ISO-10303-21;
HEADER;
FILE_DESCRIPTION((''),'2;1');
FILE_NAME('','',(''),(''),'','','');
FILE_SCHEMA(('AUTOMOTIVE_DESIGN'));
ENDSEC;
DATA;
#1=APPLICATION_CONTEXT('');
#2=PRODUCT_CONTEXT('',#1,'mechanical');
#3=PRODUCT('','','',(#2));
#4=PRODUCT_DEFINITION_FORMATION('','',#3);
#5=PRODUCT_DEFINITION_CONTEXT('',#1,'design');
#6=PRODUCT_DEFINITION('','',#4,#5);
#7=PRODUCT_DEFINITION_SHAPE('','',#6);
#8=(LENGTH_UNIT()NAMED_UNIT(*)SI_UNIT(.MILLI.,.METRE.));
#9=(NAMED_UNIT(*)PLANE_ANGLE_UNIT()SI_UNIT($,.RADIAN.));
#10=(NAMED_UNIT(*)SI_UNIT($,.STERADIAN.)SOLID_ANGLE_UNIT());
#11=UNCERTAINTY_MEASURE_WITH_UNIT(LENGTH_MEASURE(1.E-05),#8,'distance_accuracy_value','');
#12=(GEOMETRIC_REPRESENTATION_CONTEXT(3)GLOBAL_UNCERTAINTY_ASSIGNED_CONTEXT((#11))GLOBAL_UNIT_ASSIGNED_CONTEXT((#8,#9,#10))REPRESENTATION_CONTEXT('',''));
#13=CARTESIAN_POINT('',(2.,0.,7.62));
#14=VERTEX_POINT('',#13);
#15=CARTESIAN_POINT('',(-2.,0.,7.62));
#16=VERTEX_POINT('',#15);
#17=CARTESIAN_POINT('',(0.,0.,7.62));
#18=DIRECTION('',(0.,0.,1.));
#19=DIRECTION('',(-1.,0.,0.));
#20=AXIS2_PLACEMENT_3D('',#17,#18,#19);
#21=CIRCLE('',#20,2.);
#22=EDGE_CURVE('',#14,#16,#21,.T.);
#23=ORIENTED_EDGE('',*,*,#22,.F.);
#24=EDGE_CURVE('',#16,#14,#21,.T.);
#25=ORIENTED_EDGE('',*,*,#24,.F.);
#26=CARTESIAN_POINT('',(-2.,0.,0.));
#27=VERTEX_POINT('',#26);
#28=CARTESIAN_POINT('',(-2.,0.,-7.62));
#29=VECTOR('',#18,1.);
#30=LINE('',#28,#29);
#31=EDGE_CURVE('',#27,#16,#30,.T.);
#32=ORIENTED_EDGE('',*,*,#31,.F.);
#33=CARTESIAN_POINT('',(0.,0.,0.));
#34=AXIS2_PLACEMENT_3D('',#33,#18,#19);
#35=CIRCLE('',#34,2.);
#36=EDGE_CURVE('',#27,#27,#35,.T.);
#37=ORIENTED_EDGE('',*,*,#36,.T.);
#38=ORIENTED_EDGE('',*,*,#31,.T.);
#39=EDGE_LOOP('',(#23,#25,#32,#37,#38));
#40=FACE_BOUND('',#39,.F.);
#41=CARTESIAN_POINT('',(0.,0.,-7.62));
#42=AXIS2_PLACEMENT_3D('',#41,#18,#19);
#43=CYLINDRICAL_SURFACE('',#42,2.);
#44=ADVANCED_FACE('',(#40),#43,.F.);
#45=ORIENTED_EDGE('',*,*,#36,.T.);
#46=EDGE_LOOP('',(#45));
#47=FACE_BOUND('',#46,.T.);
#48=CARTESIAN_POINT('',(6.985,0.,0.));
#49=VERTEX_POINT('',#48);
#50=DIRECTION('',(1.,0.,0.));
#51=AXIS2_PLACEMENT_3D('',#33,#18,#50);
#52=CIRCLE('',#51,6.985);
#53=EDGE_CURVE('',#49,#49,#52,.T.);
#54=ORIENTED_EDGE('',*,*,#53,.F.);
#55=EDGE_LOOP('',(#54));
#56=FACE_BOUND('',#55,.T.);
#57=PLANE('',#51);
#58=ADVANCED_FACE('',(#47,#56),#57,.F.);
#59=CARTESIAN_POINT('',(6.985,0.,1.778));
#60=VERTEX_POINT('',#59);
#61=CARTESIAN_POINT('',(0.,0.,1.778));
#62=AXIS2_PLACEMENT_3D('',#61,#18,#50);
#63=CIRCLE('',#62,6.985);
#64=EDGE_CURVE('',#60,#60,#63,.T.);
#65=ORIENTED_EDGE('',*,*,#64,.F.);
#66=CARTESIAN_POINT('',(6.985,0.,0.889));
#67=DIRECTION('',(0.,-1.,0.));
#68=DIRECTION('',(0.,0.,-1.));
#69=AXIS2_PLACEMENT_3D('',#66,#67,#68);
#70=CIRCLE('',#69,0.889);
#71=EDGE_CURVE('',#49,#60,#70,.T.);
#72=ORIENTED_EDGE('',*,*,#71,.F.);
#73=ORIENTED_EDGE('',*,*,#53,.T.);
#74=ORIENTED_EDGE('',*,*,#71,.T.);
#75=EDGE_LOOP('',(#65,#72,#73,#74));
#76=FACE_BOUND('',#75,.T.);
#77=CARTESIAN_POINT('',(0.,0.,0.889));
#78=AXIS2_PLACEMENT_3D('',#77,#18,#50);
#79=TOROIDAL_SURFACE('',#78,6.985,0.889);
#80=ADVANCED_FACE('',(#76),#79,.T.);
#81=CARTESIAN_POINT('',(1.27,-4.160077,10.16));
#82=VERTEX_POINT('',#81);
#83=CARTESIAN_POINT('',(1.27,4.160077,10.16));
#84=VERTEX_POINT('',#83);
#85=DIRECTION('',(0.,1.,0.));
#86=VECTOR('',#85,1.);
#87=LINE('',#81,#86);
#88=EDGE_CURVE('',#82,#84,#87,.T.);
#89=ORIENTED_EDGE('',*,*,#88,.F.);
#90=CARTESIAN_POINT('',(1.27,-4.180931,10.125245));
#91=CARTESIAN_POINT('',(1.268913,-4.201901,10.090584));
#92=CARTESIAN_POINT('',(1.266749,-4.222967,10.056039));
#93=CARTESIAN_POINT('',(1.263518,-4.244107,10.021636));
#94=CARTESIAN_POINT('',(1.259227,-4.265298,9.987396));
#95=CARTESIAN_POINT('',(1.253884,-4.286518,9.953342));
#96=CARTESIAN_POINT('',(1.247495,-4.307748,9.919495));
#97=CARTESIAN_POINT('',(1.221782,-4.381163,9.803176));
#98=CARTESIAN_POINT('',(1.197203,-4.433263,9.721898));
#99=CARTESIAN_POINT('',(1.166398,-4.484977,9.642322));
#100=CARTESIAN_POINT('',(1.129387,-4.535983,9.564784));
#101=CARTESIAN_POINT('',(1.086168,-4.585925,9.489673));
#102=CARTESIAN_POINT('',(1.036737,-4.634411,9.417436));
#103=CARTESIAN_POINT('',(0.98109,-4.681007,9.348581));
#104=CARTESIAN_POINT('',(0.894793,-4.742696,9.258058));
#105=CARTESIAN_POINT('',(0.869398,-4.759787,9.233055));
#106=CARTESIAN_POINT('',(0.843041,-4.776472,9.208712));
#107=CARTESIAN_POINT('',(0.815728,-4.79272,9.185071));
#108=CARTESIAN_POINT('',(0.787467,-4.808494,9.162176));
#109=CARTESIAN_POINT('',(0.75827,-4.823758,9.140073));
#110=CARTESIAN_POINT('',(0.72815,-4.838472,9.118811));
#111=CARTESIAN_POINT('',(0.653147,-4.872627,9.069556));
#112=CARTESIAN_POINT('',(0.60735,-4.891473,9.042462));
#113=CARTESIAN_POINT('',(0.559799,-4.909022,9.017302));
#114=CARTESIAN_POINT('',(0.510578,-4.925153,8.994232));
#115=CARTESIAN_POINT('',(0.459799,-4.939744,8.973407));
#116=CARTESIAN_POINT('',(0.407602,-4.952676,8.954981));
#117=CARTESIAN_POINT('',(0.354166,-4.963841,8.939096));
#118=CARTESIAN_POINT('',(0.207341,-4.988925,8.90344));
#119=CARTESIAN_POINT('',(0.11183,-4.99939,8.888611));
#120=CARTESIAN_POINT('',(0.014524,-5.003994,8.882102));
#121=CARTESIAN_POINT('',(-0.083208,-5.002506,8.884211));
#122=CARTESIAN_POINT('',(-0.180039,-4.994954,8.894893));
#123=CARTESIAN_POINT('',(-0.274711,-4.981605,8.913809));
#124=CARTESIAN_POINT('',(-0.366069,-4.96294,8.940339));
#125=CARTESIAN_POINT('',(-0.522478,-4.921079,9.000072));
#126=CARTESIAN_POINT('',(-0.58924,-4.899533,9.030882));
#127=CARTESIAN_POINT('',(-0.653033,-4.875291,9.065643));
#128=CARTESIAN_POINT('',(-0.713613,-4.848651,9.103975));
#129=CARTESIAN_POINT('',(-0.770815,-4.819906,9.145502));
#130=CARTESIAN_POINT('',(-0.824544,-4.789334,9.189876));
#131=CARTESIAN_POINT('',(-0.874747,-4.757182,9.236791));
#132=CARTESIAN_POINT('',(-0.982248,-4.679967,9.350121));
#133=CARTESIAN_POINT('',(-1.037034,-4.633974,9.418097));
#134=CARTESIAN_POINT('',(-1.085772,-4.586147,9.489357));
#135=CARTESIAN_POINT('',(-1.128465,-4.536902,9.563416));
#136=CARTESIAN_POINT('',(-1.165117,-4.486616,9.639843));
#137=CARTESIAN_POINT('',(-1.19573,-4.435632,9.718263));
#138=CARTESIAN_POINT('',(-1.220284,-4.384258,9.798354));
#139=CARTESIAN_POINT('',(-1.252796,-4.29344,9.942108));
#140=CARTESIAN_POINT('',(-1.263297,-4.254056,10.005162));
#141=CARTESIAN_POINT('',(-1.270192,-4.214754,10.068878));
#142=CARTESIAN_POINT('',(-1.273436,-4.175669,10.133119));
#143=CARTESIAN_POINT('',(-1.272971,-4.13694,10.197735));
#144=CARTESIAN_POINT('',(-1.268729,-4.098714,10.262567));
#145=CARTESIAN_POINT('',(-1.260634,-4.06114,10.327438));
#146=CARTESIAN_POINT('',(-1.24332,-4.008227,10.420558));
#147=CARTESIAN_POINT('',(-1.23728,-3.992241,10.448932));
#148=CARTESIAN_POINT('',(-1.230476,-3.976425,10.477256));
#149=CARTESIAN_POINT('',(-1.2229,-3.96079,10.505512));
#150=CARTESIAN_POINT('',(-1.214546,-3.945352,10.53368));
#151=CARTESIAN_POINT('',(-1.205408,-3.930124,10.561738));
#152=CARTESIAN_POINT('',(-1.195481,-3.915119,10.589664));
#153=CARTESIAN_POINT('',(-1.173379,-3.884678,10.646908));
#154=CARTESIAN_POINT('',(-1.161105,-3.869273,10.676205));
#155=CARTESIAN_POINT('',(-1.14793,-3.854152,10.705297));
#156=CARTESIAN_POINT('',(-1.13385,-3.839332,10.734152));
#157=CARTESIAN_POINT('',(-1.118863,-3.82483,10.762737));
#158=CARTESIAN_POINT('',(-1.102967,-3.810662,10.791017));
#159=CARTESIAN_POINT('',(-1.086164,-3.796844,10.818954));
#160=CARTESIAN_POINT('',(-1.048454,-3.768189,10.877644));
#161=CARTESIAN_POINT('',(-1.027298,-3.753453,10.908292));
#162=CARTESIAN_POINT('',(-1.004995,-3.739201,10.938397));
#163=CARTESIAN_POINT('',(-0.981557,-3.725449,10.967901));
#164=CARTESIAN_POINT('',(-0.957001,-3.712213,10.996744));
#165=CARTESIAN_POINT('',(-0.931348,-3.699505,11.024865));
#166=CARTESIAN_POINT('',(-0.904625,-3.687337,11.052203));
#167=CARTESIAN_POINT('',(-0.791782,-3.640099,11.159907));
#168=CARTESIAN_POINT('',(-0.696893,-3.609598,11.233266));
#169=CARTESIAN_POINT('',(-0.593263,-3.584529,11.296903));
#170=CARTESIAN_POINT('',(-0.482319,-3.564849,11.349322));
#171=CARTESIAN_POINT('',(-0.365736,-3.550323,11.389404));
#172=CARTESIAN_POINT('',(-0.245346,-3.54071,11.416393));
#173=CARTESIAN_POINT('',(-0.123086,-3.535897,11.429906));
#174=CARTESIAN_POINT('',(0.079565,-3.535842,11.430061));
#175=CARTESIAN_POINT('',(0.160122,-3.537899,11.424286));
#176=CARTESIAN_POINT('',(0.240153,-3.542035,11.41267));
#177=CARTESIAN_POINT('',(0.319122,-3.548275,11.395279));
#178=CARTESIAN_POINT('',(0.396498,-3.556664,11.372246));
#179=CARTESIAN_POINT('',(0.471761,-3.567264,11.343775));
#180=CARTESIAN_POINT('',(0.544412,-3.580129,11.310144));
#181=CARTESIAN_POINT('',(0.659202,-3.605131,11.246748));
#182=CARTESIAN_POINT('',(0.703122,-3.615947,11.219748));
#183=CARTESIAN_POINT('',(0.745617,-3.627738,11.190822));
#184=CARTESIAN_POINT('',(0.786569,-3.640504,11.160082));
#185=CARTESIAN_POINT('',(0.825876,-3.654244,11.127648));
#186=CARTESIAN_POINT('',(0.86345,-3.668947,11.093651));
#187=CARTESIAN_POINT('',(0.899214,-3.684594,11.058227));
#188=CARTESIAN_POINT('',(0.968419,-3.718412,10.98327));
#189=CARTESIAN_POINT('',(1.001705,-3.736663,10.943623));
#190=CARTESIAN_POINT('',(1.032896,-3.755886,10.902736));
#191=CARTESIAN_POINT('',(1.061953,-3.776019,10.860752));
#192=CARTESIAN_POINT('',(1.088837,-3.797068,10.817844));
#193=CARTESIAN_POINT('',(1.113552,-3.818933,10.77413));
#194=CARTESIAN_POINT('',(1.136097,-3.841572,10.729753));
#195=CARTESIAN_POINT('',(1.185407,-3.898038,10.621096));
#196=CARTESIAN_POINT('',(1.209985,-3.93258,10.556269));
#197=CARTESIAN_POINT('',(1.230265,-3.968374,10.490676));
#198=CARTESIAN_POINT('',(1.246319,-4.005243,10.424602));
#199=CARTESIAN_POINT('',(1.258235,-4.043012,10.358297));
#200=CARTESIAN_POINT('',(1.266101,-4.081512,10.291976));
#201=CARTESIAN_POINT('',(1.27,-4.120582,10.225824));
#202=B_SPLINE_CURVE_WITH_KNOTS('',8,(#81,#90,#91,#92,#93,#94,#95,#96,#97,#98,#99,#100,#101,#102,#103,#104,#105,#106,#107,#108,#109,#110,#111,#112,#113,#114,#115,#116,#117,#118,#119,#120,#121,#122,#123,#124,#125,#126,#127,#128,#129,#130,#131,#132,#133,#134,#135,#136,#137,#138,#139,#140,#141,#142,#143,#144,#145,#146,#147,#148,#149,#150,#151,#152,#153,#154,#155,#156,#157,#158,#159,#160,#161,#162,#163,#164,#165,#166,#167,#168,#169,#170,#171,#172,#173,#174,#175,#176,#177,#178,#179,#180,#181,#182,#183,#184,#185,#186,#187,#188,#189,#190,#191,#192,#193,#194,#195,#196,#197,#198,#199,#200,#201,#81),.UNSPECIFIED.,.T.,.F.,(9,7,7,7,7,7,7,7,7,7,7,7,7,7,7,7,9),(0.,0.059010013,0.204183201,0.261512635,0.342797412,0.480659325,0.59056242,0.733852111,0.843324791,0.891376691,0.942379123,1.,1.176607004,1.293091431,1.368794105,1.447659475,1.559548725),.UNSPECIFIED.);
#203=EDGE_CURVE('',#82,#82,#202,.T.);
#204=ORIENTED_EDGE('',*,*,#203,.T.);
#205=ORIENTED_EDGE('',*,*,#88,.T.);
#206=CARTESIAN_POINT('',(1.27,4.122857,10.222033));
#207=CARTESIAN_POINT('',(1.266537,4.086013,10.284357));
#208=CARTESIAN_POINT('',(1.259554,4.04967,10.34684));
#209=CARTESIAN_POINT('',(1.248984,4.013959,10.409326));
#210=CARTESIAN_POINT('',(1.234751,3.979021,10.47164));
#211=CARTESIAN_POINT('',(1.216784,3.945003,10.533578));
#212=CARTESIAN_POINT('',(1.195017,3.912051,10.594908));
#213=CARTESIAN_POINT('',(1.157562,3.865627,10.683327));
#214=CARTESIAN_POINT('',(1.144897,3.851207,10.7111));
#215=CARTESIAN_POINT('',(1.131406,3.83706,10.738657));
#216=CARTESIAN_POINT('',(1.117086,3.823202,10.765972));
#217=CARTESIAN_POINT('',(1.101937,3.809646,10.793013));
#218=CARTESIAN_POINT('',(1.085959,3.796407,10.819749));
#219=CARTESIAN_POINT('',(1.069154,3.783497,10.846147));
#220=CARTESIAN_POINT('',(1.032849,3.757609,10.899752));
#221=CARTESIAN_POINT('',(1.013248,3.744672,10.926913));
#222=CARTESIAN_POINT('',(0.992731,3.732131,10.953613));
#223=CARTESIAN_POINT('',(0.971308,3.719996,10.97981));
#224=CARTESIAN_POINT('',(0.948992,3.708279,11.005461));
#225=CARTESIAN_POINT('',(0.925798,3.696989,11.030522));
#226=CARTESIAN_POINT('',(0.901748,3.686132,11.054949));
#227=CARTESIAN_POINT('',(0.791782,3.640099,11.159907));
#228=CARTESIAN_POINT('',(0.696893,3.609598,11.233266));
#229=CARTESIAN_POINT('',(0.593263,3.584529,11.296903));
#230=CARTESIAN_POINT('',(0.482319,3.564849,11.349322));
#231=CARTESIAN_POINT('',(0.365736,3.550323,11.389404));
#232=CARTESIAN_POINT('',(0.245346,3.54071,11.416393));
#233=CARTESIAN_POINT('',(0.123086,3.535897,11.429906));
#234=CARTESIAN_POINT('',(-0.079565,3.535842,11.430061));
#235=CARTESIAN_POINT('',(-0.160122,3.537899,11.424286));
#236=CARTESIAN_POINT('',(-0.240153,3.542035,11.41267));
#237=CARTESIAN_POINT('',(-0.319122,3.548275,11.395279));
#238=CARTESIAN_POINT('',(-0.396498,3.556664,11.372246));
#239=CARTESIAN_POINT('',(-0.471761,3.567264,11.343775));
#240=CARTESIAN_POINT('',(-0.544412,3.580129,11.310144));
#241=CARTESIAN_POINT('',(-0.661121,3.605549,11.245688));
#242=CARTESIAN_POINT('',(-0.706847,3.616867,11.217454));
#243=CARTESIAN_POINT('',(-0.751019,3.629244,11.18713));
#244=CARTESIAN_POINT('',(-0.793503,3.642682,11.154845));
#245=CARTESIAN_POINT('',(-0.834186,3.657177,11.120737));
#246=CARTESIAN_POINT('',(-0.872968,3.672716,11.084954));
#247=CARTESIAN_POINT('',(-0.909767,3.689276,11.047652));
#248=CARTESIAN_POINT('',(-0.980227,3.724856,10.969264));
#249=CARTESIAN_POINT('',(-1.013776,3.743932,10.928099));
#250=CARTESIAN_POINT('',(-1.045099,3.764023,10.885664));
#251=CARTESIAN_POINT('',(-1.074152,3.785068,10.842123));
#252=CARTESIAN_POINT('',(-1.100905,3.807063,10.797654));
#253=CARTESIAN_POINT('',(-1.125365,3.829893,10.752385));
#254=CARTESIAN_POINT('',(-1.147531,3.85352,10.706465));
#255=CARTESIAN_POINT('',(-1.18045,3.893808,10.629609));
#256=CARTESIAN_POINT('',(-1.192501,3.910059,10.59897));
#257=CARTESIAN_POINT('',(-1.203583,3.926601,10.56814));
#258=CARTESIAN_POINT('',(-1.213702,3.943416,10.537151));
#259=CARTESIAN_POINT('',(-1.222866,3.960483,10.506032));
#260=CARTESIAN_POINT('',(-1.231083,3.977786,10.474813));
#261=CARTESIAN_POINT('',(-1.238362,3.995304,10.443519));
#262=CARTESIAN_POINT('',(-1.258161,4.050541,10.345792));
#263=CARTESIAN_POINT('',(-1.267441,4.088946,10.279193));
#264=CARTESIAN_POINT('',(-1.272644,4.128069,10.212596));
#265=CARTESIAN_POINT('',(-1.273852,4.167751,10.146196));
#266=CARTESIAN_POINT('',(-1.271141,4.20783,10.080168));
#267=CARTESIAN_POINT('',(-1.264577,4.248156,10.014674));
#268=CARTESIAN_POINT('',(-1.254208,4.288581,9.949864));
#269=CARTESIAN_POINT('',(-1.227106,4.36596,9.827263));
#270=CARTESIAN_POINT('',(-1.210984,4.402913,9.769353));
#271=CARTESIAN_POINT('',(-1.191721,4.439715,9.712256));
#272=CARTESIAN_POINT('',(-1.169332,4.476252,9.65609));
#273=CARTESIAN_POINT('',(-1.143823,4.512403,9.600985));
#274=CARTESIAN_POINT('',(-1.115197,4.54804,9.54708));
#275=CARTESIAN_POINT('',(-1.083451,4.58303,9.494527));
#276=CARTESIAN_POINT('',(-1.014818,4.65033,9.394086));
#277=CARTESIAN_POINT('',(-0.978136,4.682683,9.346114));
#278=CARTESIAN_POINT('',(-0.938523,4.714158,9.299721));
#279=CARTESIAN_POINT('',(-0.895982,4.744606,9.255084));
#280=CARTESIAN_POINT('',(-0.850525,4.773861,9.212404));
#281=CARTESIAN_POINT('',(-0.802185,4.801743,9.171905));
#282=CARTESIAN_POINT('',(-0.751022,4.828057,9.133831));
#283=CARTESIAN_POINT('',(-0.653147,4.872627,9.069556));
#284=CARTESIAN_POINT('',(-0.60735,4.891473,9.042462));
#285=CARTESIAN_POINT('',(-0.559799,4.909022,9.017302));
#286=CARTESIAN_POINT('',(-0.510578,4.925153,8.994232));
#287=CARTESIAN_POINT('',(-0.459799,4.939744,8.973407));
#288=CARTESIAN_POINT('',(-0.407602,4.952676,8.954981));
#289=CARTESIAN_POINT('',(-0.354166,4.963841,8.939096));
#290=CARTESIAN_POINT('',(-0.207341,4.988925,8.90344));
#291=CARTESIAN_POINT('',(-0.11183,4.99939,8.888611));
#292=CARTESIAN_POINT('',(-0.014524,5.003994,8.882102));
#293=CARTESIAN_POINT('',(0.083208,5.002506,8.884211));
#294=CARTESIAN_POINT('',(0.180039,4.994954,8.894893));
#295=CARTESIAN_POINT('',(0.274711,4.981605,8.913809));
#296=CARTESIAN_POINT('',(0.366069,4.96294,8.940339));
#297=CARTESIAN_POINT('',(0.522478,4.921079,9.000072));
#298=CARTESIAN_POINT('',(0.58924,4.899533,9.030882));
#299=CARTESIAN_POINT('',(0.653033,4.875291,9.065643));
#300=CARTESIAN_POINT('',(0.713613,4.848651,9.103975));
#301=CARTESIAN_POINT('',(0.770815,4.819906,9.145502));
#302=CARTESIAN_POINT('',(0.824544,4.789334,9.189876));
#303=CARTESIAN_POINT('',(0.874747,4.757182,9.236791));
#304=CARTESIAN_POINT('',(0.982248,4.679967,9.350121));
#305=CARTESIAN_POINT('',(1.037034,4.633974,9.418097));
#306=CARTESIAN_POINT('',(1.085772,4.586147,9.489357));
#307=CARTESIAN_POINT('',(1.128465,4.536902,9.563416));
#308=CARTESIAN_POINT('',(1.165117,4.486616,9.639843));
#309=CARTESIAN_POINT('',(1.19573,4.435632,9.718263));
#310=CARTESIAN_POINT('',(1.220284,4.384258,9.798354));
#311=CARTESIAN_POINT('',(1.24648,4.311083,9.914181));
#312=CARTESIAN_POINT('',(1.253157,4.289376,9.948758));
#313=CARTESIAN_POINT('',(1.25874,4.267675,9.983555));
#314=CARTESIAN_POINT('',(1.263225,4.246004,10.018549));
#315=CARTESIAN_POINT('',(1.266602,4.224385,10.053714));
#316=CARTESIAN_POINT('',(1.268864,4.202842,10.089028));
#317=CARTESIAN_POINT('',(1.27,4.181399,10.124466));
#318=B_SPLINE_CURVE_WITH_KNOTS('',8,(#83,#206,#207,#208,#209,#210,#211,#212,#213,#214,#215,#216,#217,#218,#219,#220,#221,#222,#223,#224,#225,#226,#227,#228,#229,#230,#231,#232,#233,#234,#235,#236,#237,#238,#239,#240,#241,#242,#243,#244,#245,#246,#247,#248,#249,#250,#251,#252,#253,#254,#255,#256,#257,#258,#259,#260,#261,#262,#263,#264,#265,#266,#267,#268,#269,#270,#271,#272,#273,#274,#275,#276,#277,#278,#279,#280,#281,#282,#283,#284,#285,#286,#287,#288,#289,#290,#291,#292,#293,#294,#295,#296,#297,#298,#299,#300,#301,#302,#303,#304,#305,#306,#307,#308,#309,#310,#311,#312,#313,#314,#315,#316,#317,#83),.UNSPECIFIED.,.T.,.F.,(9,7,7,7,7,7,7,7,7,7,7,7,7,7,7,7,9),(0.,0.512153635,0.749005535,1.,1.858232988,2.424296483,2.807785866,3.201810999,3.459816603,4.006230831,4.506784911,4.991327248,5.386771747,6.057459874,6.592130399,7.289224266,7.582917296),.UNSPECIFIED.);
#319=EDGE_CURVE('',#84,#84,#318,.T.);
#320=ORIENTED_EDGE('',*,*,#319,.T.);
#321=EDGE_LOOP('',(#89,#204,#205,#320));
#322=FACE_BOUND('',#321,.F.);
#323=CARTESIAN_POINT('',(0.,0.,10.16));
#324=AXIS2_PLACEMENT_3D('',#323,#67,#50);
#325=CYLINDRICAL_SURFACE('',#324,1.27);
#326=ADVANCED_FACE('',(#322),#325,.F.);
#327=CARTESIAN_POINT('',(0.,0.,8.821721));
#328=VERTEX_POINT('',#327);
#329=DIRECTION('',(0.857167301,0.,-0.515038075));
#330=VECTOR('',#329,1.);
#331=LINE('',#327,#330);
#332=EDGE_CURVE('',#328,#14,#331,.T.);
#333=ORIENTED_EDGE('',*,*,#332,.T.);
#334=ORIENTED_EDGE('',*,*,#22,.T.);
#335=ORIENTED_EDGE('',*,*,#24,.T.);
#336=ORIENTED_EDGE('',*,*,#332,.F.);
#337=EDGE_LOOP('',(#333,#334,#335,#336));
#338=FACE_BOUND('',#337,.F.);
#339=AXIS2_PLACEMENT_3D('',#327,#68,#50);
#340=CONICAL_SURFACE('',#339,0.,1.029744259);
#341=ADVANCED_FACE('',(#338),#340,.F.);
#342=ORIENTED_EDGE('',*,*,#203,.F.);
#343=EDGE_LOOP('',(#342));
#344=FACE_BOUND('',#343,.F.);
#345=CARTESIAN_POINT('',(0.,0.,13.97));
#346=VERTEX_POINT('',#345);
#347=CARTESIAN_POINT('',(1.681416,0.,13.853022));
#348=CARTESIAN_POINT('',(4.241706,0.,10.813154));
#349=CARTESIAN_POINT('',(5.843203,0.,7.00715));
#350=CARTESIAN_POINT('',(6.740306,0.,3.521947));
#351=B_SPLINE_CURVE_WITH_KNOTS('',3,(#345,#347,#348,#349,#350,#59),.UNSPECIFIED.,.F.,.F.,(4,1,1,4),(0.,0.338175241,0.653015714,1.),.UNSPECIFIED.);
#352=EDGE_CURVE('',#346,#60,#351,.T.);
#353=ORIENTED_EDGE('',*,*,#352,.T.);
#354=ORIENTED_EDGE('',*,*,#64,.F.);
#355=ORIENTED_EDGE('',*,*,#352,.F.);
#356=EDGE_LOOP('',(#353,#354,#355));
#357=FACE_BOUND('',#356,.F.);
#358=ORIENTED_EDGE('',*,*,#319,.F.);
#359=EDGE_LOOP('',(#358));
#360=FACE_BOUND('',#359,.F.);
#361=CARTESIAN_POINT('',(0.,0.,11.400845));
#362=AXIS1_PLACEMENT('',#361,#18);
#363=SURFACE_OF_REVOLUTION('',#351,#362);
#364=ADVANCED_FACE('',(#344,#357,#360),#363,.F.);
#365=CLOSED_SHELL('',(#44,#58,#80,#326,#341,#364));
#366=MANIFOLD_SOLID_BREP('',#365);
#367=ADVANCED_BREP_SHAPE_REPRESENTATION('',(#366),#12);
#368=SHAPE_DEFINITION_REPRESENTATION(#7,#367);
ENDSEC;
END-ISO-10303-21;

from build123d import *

# Parameters (mm, degrees)
F2_R          = 1.27
F3_DEPTH      = 7.8750001
F3_DEPTH_BACK = 7.8750001
F5_D          = 4
F5_DEPTH      = 7.62
F5_TIP        = 1.2017212381


with BuildPart() as f1:
    # F0 (on Front) → F1 (revolve)
    with BuildSketch(Plane.XZ):
        with BuildLine():
            Line((0, 13.97), (0, 0))
            Line((0, 0), (6.985, 0))
            ThreePointArc((6.985, 0), (7.874, 0.889), (6.985, 1.778))
            add(Edge.make_bspline(
                [(0, 13.97), (1.6814160792, 13.8530222035), (4.2417061309, 10.8131539294), (5.8432030034, 7.0071502602), (6.7403060068, 3.5219468301), (6.985, 1.778)],
                knots=[0, 0, 0, 0, 0.3381752407, 0.6530157142, 1, 1, 1, 1], degree=3))
        make_face()
    revolve(axis=Axis((0, 0, 11.4008450556), (0, 0, 1)))

    # F2 (on Front) → F3 (cut, two sides)
    with BuildSketch(Plane.XZ) as f3_sk:
        with Locations((0, 10.16)):
            Circle(F2_R)
    extrude(amount=-F3_DEPTH, mode=Mode.SUBTRACT)
    extrude(f3_sk.sketch, amount=F3_DEPTH_BACK, mode=Mode.SUBTRACT)

    # F5
    with Locations(Plane(origin=(0, 0, 0), x_dir=(1, 0, 0), z_dir=(0, 0, -1))):
        with Locations((0, 0)):
            Hole(F5_D / 2, depth=F5_DEPTH)
            with Locations((0, 0, -(F5_DEPTH + F5_TIP / 2))):  # 118° drill point
                Cone(0, F5_D / 2, F5_TIP, mode=Mode.SUBTRACT)


solid = f1.part
